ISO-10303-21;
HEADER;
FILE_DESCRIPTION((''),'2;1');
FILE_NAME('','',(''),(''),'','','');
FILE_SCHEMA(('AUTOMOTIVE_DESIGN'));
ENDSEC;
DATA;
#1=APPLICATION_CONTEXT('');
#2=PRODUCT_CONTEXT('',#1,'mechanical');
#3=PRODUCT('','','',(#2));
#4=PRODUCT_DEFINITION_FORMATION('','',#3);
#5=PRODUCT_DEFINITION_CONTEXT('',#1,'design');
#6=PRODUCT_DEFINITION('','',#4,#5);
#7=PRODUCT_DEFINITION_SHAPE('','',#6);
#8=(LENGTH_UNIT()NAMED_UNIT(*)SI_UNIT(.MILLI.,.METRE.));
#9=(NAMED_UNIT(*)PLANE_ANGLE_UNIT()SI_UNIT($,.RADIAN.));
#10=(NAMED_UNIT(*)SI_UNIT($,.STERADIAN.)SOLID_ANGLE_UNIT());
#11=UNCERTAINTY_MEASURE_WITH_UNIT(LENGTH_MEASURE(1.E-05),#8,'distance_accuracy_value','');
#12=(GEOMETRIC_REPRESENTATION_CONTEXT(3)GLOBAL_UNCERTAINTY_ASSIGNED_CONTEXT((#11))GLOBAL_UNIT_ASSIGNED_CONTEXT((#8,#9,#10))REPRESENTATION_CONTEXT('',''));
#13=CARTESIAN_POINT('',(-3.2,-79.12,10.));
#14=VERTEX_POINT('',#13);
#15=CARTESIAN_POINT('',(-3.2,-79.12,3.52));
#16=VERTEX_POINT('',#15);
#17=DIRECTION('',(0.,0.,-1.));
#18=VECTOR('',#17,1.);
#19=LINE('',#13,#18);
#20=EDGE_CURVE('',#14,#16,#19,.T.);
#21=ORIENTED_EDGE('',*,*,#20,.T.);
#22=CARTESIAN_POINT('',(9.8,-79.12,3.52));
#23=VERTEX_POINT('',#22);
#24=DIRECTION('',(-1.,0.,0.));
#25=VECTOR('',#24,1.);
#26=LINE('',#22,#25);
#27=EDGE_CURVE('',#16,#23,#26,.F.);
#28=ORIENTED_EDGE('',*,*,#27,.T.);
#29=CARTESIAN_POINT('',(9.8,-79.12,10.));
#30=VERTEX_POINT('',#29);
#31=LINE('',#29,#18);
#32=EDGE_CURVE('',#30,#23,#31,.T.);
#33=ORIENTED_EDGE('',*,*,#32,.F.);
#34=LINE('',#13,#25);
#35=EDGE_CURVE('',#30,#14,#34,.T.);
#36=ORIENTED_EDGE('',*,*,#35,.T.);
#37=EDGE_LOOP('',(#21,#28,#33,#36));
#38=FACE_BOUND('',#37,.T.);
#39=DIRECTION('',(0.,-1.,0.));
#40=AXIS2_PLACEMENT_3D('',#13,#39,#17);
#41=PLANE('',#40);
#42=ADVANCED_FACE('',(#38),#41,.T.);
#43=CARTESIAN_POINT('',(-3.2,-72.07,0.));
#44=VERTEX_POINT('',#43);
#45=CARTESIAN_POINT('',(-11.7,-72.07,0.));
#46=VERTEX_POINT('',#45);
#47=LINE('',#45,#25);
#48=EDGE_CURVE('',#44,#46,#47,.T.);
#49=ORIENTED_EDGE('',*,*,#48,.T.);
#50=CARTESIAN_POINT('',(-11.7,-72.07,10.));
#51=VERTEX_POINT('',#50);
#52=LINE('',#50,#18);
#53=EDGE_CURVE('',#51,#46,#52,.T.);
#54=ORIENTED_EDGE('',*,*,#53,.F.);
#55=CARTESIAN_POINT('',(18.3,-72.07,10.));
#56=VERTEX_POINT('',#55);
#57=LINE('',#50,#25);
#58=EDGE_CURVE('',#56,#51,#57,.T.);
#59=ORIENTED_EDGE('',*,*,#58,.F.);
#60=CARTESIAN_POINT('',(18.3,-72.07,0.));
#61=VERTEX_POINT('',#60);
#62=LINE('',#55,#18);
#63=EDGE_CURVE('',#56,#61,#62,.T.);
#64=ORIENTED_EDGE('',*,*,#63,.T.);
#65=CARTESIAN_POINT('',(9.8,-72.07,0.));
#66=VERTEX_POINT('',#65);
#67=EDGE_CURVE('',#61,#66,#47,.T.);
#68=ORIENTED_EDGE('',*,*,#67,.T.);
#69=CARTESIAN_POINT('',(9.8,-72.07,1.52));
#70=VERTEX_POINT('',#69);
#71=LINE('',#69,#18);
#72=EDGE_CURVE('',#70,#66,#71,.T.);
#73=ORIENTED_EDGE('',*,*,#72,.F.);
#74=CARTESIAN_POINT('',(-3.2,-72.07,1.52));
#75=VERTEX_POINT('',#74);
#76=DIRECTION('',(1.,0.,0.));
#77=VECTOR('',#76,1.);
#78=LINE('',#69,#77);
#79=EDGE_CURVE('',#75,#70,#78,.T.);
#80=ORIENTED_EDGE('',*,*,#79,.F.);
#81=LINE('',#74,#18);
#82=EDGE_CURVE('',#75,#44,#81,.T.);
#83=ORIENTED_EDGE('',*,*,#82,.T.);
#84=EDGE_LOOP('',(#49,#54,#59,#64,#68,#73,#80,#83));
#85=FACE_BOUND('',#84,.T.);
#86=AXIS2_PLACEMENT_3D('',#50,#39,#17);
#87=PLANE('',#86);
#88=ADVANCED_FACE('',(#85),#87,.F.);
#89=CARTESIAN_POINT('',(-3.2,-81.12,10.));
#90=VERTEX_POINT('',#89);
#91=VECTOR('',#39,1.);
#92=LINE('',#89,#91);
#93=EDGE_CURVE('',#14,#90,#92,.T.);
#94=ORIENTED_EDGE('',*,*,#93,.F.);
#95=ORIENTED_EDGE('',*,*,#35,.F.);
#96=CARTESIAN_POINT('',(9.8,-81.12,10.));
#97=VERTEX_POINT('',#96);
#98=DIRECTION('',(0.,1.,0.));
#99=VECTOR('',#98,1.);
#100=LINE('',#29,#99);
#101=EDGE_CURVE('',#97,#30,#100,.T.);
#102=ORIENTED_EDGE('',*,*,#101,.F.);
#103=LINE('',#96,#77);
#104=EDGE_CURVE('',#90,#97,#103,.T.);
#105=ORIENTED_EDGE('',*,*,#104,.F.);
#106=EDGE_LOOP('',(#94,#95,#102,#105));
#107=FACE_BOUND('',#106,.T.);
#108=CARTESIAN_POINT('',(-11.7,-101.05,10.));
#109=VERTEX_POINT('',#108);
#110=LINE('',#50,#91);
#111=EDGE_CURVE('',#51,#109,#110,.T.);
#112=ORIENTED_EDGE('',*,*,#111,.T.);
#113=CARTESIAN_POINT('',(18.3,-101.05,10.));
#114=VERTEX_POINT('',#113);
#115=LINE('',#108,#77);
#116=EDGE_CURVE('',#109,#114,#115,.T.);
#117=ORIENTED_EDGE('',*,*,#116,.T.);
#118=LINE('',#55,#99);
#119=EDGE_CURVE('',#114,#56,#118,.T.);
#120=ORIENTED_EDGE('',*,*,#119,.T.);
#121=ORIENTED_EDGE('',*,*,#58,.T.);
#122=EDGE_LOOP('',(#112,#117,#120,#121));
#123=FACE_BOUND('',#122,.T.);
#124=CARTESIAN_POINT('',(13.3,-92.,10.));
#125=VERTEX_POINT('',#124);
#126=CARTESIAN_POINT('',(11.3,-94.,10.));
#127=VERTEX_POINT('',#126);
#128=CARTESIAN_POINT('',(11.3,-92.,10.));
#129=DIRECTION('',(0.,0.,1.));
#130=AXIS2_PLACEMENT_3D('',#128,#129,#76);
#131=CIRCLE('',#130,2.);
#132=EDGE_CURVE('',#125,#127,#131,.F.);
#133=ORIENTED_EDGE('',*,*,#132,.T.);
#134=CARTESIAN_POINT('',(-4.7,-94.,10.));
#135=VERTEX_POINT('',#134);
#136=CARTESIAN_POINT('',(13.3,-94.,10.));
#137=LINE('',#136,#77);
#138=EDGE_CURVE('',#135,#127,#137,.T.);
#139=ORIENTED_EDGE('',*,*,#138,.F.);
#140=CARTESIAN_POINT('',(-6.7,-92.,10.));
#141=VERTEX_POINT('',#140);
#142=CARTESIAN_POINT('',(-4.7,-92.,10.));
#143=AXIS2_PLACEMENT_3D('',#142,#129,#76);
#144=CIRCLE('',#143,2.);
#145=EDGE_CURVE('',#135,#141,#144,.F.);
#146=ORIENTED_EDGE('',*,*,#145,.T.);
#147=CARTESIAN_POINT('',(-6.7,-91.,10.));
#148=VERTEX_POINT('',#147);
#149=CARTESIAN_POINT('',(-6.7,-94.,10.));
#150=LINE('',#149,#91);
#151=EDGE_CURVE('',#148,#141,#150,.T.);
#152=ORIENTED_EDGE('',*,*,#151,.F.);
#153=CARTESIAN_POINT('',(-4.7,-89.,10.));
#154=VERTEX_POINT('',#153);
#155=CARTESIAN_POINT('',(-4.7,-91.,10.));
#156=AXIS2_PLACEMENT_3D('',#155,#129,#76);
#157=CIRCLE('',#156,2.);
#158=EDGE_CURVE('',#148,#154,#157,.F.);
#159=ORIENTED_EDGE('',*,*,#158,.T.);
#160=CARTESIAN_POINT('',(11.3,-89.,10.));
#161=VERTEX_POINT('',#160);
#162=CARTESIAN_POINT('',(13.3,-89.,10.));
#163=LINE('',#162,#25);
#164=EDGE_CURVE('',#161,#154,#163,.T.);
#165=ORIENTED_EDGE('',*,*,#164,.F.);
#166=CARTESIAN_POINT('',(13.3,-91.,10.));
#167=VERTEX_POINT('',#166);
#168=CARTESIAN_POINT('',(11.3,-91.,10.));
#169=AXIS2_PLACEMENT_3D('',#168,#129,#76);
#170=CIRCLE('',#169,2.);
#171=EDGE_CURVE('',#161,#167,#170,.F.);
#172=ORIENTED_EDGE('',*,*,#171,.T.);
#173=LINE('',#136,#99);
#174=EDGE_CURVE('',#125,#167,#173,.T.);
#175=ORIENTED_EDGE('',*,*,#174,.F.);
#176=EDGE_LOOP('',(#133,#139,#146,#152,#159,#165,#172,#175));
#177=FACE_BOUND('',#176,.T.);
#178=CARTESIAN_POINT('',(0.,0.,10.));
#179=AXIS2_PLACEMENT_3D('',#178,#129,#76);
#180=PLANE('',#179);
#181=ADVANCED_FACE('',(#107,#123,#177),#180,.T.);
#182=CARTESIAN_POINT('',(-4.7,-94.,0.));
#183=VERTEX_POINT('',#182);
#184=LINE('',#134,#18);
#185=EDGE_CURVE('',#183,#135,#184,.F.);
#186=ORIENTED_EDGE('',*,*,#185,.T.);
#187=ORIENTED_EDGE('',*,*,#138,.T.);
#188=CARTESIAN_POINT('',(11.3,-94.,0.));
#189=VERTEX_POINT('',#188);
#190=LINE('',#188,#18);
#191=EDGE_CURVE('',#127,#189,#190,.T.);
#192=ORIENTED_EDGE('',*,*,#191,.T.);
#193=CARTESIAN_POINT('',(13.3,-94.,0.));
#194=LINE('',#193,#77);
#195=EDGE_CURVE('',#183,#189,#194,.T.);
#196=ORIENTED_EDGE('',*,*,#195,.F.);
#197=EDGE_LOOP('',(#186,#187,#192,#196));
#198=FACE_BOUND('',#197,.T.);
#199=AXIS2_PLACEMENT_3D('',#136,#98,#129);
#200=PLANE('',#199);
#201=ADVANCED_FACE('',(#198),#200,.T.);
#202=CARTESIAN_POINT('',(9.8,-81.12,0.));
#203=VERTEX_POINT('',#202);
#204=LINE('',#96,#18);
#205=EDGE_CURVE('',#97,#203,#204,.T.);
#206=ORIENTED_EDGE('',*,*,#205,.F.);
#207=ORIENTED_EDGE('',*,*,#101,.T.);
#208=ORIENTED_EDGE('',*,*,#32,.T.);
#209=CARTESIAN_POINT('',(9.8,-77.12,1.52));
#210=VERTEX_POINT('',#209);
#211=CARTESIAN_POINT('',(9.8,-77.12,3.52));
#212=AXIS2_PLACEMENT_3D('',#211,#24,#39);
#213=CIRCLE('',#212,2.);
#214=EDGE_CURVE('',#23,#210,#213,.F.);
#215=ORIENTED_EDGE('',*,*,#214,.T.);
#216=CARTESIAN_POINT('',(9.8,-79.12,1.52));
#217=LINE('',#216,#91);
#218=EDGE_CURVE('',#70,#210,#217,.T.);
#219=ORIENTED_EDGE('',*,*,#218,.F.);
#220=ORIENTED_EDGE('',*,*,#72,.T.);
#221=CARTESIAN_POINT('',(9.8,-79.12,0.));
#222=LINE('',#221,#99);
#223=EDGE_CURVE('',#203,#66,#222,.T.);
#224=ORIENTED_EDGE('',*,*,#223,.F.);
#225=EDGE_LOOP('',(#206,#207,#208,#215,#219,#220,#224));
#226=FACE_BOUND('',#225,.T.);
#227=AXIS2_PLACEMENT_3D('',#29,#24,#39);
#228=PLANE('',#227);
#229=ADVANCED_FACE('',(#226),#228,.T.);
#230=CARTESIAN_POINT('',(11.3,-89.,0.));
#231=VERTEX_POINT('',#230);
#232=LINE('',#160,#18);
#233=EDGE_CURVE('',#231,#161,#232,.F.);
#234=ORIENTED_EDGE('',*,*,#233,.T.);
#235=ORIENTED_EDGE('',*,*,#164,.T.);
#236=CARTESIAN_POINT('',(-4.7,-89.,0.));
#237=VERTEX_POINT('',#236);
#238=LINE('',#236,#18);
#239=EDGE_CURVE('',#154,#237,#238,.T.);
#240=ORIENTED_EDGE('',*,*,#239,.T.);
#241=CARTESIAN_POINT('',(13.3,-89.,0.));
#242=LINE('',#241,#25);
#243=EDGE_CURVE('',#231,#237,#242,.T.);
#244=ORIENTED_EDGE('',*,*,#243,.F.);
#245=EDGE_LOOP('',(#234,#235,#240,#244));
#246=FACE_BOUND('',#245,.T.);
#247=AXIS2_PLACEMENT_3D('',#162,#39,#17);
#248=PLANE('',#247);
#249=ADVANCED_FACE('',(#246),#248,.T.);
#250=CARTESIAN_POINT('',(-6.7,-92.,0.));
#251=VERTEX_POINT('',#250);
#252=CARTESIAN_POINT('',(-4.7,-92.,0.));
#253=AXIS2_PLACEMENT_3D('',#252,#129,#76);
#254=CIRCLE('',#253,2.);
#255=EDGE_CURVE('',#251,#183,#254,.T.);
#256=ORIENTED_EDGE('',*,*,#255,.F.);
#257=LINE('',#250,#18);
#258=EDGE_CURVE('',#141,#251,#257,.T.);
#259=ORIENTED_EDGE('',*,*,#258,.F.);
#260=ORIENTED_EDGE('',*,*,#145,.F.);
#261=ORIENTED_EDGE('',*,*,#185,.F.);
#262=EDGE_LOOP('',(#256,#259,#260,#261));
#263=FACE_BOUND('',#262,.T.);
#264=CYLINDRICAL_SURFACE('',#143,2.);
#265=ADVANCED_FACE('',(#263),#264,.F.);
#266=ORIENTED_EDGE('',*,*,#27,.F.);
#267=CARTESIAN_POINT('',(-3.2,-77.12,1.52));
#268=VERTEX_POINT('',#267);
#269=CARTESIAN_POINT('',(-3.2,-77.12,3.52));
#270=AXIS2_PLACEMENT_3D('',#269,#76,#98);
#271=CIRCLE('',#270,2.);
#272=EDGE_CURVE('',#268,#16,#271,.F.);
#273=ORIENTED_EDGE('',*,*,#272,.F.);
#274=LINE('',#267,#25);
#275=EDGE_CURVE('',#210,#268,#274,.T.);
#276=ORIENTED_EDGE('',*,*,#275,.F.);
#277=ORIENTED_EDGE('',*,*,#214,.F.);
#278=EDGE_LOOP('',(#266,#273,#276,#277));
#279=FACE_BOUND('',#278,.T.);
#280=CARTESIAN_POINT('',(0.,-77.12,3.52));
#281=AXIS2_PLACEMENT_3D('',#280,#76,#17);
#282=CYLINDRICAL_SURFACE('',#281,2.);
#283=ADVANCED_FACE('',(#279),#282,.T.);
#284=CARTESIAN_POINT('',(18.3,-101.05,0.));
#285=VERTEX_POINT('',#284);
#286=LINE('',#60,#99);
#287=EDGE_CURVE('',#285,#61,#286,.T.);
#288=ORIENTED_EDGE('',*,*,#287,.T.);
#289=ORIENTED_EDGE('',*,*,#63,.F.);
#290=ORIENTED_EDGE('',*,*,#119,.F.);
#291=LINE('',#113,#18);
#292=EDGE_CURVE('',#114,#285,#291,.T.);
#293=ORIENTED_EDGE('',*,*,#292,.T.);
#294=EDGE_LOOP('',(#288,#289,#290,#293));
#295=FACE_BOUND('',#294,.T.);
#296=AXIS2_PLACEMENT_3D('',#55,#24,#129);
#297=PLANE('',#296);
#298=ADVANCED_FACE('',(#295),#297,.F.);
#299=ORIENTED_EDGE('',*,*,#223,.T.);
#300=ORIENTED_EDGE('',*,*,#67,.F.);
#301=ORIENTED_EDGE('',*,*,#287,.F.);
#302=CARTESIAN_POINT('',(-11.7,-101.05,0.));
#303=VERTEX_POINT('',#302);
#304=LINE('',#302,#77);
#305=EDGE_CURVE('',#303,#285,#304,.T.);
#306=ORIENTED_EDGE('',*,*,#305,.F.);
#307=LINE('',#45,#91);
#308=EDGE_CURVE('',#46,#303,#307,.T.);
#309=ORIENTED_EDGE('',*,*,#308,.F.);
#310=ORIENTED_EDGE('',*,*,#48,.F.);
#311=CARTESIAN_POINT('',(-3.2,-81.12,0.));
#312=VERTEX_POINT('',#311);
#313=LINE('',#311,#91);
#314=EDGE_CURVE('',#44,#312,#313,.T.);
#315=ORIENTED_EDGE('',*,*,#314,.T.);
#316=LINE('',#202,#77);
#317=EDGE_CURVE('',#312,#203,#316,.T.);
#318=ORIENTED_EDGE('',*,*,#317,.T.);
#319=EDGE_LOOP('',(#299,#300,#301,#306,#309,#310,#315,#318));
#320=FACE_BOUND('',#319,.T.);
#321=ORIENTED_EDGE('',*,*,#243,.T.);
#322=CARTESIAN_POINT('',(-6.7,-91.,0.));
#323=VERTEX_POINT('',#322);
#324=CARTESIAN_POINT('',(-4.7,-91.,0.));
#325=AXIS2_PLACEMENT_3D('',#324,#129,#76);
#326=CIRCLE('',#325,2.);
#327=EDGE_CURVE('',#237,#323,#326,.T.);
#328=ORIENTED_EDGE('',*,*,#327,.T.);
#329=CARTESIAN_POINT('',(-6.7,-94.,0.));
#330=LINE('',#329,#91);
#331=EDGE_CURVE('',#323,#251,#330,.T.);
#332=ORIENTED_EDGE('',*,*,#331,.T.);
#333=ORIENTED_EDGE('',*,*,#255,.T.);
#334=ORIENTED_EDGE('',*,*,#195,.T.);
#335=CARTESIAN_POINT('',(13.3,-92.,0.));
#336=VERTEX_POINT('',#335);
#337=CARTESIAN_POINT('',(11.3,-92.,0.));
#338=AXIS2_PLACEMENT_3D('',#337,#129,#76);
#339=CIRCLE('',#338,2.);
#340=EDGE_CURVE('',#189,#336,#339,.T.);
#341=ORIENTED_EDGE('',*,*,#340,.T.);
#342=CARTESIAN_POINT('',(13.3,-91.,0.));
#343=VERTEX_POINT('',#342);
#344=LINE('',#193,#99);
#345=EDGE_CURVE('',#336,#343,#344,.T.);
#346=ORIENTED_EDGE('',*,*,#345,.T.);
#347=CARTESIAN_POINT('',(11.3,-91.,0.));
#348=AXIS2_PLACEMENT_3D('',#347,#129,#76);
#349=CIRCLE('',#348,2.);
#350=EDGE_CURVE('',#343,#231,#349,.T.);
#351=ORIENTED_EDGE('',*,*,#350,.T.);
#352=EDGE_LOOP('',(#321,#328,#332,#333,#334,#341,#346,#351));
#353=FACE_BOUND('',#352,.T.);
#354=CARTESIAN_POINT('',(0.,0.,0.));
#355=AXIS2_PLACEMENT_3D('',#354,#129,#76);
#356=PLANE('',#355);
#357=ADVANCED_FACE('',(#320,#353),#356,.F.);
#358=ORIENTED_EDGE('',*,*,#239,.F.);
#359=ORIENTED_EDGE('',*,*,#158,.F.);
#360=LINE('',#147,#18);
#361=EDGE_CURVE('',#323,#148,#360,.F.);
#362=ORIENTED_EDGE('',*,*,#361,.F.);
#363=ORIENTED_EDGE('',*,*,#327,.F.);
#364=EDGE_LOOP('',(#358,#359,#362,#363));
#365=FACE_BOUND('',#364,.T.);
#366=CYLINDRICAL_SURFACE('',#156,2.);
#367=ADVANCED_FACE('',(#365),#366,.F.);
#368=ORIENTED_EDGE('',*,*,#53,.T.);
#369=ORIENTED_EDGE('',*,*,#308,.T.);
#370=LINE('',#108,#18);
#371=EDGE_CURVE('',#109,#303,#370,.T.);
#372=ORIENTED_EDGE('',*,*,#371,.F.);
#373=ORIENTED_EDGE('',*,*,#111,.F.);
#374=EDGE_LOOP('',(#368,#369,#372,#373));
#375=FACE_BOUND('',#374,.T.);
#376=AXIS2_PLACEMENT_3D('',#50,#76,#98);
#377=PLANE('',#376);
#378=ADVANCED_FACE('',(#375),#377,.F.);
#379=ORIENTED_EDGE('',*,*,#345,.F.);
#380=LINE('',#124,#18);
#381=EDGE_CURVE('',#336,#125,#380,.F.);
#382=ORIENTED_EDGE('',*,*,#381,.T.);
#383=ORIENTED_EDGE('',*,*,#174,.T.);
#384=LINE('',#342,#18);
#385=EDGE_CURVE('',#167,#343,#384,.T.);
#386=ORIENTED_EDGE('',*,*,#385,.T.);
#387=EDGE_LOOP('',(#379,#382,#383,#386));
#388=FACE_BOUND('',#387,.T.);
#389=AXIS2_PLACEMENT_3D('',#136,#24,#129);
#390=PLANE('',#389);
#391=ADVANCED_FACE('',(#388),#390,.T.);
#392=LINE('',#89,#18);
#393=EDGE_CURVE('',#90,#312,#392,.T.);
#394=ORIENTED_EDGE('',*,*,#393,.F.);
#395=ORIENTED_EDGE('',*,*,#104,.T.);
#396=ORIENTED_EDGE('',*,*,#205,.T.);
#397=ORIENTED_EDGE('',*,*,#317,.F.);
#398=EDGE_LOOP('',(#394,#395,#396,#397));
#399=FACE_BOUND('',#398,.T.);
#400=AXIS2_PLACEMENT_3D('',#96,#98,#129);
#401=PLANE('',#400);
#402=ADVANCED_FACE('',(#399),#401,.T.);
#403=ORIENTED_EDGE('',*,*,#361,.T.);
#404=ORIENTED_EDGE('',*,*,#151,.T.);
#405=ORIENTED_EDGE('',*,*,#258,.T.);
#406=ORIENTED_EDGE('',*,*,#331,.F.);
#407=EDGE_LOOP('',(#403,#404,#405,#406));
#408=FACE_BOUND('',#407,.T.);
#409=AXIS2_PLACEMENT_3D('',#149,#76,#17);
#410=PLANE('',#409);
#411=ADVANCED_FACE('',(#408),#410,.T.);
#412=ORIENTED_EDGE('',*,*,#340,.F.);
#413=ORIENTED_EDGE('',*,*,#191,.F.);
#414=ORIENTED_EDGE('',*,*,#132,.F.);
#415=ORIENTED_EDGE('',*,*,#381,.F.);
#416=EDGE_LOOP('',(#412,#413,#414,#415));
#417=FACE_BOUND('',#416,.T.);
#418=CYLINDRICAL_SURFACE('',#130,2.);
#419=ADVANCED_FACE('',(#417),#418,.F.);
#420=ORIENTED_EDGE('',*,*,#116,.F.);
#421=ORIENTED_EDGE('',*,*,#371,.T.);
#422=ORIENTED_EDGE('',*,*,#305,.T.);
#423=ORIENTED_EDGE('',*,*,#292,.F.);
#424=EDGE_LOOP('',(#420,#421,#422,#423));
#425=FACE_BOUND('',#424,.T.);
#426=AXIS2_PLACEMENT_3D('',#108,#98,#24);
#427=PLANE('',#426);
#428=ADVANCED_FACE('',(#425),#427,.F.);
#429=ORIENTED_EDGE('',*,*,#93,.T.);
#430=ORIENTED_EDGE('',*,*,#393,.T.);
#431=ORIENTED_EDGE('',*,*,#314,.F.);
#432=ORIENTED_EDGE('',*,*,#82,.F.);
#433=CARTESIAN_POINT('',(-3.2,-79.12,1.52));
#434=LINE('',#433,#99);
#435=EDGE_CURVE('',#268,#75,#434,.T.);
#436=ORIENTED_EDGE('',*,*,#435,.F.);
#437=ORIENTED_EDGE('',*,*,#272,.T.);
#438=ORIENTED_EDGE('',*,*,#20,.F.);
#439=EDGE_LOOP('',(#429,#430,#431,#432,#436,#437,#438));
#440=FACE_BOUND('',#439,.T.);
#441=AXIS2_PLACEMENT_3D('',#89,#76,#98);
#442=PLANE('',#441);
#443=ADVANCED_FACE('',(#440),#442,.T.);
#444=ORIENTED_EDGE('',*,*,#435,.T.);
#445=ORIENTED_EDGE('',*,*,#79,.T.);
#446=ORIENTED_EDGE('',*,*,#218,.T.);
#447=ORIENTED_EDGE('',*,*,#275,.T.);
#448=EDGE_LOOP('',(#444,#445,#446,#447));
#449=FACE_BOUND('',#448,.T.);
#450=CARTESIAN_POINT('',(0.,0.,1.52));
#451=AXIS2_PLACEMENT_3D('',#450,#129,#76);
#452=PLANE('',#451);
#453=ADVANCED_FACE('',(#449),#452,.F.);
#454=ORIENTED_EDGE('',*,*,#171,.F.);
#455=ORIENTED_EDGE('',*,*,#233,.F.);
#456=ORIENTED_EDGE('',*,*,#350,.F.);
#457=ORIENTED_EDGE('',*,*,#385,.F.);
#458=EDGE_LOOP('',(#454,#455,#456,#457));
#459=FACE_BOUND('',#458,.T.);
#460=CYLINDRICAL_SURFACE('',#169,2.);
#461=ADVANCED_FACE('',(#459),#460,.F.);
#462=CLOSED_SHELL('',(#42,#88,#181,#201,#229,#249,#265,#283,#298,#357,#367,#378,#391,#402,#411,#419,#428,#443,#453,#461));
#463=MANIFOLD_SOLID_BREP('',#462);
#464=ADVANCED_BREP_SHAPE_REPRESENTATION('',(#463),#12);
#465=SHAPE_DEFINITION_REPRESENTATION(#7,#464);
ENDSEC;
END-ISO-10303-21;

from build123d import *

# Parameters (mm, degrees)
SKETCH1_W           = 30
SKETCH1_H           = 28.98
SKETCH1_W_2         = 13
SKETCH1_H_2         = 2
SKETCH1_W_3         = 20
SKETCH1_H_3         = 5
BOSS_EXTRUDE1_DEPTH = 10
FILLET1_R           = 2
SKETCH2_W           = 13
SKETCH2_H           = 7.05
CUT_EXTRUDE1_DEPTH  = 1.52
FILLET2_R           = 2


with BuildPart() as part:
    # Sketch1 → Boss-Extrude1 (new body)
    with BuildSketch(Plane.XY):
        with Locations((3.3, -86.56)):
            Rectangle(SKETCH1_W, SKETCH1_H)
        with Locations((3.3, -80.12)):
            Rectangle(SKETCH1_W_2, SKETCH1_H_2, mode=Mode.SUBTRACT)
        with Locations((3.3, -91.5)):
            Rectangle(SKETCH1_W_3, SKETCH1_H_3, mode=Mode.SUBTRACT)
    extrude(amount=BOSS_EXTRUDE1_DEPTH)

    # Fillet1
    fillet1_edges = [part.edges().sort_by_distance(p)[0] for p in [
        (-6.7, -89, 5),
        (-6.7, -94, 5),
        (13.3, -94, 5),
        (13.3, -89, 5),
    ]]
    fillet(fillet1_edges, radius=FILLET1_R)

    # Sketch2 → Cut-Extrude1 (cut)
    with BuildSketch(Plane(origin=(0, 0, 0), x_dir=(-1, 0, 0), z_dir=(0, 0, -1))):
        with Locations((-3.3, -75.595)):
            Rectangle(SKETCH2_W, SKETCH2_H)
    extrude(amount=-CUT_EXTRUDE1_DEPTH, mode=Mode.SUBTRACT)

    # Fillet2
    fillet2_edges = [part.edges().sort_by_distance(p)[0] for p in [
        (3.3, -79.12, 1.52),
    ]]
    fillet(fillet2_edges, radius=FILLET2_R)


solid = part.part
